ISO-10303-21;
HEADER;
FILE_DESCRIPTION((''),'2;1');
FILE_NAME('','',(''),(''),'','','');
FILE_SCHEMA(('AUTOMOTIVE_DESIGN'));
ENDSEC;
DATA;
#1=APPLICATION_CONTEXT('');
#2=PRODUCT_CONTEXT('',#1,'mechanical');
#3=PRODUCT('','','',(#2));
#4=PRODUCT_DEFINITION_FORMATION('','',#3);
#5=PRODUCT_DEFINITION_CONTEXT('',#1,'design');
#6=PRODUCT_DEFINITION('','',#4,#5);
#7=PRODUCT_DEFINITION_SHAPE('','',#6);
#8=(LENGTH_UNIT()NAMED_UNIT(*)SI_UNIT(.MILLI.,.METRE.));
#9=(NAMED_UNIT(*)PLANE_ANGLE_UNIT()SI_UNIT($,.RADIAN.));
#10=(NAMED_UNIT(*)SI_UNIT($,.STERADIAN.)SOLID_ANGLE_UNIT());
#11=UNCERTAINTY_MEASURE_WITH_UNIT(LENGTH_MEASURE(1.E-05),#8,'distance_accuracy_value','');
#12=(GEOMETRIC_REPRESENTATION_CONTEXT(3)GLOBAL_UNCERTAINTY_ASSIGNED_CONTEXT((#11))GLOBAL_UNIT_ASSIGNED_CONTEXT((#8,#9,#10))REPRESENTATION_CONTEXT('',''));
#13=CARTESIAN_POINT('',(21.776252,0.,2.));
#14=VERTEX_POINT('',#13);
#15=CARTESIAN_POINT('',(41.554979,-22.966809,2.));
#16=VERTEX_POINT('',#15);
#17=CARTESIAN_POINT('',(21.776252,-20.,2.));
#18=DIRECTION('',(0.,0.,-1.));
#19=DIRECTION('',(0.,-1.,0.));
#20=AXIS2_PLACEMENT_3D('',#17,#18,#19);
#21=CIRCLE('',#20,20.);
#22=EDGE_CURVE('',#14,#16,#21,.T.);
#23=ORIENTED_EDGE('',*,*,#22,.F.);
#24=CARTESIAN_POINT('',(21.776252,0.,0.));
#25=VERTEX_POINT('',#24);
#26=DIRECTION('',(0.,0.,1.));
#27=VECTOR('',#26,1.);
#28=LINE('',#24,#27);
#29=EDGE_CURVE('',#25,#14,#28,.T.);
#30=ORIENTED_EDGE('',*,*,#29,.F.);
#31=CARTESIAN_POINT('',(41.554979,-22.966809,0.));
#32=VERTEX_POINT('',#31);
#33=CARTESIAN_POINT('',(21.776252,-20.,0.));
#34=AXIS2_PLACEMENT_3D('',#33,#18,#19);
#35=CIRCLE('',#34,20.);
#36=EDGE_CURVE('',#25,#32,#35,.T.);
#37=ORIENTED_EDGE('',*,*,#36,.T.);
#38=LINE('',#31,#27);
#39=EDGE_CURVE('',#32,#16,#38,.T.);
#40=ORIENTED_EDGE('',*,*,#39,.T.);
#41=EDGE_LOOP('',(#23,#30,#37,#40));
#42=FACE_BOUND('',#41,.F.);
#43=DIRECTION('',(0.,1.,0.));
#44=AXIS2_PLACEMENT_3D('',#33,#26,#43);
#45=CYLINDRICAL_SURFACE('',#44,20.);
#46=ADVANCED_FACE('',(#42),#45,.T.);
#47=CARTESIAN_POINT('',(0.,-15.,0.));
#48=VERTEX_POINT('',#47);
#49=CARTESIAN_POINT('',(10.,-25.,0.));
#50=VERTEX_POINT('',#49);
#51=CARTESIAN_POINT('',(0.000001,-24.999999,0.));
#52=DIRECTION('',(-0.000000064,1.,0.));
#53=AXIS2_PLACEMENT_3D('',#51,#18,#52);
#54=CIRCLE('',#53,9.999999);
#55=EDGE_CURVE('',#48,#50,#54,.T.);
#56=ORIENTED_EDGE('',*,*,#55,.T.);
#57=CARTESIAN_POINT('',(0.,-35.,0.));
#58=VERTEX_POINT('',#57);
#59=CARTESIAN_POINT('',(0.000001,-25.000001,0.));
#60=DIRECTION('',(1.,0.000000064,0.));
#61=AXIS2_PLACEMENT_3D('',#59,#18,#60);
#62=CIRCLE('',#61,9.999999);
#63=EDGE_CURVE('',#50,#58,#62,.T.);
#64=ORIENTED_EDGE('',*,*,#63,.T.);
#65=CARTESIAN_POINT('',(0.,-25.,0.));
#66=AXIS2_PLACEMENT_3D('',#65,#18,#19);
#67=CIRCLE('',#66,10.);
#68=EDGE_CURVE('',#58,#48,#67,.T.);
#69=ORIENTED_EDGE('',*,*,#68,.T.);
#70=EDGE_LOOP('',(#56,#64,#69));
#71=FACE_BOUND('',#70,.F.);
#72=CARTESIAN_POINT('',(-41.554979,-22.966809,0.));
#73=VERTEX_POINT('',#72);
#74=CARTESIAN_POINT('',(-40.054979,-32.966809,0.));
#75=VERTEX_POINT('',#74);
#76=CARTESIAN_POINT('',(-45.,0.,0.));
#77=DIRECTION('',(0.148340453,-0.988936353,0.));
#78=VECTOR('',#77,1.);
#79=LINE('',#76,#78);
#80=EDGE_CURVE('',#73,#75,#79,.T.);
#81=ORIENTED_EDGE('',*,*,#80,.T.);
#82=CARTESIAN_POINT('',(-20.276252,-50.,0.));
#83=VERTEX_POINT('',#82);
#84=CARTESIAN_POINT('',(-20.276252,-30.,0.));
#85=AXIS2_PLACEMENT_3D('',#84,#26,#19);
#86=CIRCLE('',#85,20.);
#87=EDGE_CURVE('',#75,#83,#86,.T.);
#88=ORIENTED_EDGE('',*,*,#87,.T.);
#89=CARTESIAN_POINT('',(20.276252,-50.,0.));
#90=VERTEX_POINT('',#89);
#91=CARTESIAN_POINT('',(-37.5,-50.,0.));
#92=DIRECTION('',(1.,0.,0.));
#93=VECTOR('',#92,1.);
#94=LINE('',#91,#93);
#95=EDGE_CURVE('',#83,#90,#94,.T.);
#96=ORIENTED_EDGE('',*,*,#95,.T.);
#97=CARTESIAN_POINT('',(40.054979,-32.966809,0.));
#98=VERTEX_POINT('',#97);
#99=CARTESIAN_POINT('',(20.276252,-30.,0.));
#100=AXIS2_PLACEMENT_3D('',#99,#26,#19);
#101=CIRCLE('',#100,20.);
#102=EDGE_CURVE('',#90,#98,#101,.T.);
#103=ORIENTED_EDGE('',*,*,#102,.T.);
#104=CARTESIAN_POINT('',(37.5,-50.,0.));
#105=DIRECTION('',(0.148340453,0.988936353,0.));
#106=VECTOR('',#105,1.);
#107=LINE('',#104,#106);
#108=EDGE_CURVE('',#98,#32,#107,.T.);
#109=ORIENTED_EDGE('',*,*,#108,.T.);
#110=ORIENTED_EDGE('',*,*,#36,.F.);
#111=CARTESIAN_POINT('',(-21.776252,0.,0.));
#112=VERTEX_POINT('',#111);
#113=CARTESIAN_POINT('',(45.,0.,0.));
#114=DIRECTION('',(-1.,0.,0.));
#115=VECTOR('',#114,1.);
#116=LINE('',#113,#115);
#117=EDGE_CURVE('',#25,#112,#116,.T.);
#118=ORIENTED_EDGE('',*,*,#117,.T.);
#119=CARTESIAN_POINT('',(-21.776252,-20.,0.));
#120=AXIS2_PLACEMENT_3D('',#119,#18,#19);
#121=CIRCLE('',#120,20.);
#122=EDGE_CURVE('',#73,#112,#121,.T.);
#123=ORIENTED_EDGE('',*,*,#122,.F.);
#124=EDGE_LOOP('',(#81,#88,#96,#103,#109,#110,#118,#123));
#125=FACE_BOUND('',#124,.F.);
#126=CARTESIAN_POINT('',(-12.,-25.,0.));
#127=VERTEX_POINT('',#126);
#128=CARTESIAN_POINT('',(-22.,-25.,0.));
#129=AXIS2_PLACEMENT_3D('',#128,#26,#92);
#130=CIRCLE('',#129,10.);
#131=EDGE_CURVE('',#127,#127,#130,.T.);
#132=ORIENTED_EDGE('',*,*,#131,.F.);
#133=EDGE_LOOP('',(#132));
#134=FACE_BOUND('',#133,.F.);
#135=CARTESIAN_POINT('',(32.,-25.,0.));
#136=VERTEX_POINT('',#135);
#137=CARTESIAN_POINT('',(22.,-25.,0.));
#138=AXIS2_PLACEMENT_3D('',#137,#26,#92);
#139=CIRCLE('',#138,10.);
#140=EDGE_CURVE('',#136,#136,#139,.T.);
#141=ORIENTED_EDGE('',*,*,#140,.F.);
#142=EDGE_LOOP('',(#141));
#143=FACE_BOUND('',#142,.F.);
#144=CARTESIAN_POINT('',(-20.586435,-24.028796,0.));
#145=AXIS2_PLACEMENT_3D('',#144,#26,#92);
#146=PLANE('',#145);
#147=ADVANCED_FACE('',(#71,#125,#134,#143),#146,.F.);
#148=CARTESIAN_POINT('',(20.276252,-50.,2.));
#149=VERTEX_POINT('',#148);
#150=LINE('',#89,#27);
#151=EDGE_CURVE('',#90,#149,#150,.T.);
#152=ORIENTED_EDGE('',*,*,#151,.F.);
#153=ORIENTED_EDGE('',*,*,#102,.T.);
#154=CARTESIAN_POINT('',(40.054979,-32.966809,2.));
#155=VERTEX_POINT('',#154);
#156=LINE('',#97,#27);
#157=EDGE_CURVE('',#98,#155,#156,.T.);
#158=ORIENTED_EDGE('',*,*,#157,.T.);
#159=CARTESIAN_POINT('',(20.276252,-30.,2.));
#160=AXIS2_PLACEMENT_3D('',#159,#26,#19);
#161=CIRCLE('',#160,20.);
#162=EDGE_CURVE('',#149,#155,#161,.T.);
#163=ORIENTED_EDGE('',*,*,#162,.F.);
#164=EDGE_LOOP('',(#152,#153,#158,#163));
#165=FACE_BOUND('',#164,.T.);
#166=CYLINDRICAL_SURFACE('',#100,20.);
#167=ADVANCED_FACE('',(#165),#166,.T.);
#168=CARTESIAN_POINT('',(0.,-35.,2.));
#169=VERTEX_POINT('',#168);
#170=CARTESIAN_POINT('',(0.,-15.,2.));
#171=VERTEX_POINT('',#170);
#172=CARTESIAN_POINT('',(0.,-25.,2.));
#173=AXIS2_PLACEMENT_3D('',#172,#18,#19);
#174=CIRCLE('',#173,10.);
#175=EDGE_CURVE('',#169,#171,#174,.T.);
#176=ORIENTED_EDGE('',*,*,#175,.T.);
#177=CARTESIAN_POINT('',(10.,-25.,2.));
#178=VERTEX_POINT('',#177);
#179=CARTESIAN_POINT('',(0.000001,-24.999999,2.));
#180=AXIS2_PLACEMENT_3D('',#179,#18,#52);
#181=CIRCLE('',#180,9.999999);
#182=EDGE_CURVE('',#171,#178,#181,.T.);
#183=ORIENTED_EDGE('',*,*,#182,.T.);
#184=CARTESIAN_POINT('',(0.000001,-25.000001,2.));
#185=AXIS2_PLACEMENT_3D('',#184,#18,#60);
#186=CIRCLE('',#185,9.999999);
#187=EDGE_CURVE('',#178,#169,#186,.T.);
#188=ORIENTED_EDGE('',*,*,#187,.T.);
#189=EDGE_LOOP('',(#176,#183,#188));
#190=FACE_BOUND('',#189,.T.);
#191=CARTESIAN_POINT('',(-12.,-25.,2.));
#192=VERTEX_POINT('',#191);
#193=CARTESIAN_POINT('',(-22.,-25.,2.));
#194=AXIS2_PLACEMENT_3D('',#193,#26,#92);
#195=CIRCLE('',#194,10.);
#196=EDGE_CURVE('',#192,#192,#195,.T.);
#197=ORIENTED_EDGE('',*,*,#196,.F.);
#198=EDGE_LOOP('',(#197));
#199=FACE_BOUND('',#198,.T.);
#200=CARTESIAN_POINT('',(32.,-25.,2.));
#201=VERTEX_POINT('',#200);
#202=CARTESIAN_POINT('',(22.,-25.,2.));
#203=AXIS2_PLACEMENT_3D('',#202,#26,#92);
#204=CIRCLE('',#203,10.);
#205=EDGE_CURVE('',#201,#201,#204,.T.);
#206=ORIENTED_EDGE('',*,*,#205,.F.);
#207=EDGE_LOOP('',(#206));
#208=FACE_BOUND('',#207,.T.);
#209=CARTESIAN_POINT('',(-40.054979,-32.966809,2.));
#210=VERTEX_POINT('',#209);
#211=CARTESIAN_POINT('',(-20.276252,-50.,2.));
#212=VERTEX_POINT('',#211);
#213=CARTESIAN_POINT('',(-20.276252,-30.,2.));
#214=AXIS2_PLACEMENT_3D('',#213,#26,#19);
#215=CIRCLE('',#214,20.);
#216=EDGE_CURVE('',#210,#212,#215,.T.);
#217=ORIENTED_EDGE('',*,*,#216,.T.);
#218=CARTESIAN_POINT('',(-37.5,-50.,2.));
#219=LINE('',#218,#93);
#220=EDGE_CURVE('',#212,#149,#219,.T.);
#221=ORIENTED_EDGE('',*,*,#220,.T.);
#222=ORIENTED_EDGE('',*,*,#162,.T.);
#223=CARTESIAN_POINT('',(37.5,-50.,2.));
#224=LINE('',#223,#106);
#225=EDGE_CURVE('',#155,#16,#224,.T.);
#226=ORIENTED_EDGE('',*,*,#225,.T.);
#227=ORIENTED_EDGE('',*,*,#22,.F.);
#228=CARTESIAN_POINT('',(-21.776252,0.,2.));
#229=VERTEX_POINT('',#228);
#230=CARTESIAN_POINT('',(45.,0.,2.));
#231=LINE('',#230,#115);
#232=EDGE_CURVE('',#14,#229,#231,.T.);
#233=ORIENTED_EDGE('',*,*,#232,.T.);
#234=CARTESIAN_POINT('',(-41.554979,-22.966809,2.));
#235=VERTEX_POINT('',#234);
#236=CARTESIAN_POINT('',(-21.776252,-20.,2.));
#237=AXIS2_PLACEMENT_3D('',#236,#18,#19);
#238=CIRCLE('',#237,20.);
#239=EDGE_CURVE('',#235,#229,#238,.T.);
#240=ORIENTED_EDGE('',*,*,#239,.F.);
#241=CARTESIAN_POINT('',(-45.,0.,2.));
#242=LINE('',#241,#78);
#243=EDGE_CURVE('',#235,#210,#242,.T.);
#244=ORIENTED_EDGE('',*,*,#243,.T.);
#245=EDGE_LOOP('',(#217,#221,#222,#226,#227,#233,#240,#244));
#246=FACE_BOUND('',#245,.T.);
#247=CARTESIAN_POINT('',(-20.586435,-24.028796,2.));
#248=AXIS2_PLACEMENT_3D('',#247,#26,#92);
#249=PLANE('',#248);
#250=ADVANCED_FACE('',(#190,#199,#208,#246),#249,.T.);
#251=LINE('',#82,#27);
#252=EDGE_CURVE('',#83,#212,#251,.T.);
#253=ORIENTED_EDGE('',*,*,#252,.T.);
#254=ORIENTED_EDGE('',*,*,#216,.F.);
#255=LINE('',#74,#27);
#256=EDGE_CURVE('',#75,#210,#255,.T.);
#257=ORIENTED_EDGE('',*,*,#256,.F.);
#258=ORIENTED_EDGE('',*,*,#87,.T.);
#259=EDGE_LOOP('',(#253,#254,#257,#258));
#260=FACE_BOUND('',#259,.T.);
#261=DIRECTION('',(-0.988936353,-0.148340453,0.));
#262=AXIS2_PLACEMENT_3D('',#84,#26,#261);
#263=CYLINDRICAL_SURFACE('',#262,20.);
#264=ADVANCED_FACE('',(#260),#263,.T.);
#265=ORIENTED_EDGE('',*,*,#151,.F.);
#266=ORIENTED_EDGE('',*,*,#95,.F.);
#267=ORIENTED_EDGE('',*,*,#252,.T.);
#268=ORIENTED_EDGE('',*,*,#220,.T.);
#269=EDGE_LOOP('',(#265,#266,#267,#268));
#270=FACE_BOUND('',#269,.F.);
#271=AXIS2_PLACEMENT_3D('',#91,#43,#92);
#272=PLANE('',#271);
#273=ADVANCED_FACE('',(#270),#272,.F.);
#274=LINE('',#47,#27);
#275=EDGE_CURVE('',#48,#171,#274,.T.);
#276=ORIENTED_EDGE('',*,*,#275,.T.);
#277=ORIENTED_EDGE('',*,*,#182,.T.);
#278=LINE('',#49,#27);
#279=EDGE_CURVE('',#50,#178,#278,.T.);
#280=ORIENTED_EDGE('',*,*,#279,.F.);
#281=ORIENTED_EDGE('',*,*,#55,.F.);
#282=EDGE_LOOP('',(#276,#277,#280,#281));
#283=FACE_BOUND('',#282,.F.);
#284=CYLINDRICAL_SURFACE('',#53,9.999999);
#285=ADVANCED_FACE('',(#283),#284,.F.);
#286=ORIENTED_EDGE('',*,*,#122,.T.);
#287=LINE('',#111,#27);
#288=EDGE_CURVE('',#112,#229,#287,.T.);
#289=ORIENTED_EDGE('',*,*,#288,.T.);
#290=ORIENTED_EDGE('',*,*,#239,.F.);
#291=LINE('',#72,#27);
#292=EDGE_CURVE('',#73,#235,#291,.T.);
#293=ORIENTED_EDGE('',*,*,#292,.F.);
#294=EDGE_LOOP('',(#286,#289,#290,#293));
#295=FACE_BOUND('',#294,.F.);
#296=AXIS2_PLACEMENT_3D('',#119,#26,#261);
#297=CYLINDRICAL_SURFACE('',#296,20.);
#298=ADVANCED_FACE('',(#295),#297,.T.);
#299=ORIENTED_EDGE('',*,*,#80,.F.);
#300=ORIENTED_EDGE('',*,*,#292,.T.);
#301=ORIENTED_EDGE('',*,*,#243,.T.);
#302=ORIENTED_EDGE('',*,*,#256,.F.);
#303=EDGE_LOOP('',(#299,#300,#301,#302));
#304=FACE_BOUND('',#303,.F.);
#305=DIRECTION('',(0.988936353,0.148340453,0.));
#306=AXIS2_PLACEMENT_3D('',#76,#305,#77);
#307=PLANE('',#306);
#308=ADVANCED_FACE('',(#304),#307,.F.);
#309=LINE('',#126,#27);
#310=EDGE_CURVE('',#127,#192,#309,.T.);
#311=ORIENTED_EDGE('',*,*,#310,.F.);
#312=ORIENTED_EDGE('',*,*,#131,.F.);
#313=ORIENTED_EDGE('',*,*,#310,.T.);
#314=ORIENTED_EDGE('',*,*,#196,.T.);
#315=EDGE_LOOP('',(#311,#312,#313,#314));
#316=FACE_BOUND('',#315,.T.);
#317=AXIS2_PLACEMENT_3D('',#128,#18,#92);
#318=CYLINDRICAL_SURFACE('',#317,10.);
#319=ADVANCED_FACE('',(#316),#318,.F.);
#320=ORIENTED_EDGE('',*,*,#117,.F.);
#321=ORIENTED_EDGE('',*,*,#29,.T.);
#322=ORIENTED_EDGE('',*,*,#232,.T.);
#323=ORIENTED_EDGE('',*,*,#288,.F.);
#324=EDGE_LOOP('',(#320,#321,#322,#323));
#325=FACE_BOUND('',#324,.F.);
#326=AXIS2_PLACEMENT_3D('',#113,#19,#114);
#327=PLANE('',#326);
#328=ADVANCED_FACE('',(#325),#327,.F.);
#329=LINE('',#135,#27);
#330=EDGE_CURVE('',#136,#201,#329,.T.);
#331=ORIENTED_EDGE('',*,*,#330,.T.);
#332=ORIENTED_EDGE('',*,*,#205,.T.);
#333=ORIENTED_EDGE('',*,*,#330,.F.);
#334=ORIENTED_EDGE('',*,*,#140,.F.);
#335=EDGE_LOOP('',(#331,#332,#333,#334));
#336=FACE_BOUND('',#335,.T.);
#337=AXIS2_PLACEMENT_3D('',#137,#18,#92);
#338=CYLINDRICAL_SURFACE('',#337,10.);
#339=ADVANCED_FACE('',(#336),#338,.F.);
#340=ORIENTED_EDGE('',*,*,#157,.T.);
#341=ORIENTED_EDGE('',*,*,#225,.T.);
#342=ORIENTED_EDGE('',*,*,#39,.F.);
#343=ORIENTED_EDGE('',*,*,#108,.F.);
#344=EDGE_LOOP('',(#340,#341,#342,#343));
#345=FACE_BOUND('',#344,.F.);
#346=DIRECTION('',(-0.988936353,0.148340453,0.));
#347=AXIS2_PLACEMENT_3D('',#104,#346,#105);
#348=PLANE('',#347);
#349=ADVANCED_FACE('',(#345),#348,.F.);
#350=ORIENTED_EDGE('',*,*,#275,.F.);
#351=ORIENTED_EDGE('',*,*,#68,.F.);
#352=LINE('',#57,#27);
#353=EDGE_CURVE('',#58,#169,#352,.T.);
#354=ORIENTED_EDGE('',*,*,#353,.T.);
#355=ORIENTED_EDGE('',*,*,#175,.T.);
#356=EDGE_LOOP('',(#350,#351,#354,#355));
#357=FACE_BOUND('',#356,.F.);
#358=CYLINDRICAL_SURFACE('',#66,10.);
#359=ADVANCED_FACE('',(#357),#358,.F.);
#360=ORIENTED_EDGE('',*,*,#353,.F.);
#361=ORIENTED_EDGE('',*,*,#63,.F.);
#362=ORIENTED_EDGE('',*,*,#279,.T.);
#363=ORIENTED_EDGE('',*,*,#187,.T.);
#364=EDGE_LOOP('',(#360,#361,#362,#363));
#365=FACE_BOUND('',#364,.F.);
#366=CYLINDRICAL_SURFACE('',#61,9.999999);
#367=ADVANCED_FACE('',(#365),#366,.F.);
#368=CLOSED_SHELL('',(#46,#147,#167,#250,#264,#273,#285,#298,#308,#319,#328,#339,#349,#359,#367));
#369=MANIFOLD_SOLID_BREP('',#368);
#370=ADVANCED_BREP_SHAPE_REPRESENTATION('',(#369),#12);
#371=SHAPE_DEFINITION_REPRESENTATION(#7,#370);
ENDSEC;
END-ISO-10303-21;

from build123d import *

# Parameters (mm, degrees)
F0_R     = 10
F1_DEPTH = 2
F2_R     = 20


with BuildPart() as f1:
    # F0 (on Top) → F1 (new body)
    with BuildSketch(Plane.XY):
        with BuildLine():
            Line((0, 0), (-45, 0))
            Line((-45, 0), (-37.5, -50))
            Line((-37.5, -50), (0, -50))
            Line((0, -50), (0, -35))
            ThreePointArc((0, -35), (-10, -25), (0, -15))
            Line((0, -15), (0, 0))
        make_face()
        with Locations((-22, -25)):
            Circle(F0_R, mode=Mode.SUBTRACT)
        with BuildLine():
            Line((45, 0), (0, 0))
            Line((0, 0), (0, -15))
            ThreePointArc((0, -15), (7.071068, -17.928932), (10, -25))
            ThreePointArc((10, -25), (7.071068, -32.071068), (0, -35))
            Line((0, -35), (0, -50))
            Line((0, -50), (37.5, -50))
            Line((37.5, -50), (45, 0))
        make_face()
        with Locations((22, -25)):
            Circle(F0_R, mode=Mode.SUBTRACT)
    extrude(amount=F1_DEPTH)

    # F2
    f2_edges = [f1.edges().sort_by_distance(p)[0] for p in [
        (-37.5, -50, 1),
        (37.5, -50, 1),
        (45, 0, 1),
        (-45, 0, 1),
    ]]
    fillet(f2_edges, radius=F2_R)


solid = f1.part
